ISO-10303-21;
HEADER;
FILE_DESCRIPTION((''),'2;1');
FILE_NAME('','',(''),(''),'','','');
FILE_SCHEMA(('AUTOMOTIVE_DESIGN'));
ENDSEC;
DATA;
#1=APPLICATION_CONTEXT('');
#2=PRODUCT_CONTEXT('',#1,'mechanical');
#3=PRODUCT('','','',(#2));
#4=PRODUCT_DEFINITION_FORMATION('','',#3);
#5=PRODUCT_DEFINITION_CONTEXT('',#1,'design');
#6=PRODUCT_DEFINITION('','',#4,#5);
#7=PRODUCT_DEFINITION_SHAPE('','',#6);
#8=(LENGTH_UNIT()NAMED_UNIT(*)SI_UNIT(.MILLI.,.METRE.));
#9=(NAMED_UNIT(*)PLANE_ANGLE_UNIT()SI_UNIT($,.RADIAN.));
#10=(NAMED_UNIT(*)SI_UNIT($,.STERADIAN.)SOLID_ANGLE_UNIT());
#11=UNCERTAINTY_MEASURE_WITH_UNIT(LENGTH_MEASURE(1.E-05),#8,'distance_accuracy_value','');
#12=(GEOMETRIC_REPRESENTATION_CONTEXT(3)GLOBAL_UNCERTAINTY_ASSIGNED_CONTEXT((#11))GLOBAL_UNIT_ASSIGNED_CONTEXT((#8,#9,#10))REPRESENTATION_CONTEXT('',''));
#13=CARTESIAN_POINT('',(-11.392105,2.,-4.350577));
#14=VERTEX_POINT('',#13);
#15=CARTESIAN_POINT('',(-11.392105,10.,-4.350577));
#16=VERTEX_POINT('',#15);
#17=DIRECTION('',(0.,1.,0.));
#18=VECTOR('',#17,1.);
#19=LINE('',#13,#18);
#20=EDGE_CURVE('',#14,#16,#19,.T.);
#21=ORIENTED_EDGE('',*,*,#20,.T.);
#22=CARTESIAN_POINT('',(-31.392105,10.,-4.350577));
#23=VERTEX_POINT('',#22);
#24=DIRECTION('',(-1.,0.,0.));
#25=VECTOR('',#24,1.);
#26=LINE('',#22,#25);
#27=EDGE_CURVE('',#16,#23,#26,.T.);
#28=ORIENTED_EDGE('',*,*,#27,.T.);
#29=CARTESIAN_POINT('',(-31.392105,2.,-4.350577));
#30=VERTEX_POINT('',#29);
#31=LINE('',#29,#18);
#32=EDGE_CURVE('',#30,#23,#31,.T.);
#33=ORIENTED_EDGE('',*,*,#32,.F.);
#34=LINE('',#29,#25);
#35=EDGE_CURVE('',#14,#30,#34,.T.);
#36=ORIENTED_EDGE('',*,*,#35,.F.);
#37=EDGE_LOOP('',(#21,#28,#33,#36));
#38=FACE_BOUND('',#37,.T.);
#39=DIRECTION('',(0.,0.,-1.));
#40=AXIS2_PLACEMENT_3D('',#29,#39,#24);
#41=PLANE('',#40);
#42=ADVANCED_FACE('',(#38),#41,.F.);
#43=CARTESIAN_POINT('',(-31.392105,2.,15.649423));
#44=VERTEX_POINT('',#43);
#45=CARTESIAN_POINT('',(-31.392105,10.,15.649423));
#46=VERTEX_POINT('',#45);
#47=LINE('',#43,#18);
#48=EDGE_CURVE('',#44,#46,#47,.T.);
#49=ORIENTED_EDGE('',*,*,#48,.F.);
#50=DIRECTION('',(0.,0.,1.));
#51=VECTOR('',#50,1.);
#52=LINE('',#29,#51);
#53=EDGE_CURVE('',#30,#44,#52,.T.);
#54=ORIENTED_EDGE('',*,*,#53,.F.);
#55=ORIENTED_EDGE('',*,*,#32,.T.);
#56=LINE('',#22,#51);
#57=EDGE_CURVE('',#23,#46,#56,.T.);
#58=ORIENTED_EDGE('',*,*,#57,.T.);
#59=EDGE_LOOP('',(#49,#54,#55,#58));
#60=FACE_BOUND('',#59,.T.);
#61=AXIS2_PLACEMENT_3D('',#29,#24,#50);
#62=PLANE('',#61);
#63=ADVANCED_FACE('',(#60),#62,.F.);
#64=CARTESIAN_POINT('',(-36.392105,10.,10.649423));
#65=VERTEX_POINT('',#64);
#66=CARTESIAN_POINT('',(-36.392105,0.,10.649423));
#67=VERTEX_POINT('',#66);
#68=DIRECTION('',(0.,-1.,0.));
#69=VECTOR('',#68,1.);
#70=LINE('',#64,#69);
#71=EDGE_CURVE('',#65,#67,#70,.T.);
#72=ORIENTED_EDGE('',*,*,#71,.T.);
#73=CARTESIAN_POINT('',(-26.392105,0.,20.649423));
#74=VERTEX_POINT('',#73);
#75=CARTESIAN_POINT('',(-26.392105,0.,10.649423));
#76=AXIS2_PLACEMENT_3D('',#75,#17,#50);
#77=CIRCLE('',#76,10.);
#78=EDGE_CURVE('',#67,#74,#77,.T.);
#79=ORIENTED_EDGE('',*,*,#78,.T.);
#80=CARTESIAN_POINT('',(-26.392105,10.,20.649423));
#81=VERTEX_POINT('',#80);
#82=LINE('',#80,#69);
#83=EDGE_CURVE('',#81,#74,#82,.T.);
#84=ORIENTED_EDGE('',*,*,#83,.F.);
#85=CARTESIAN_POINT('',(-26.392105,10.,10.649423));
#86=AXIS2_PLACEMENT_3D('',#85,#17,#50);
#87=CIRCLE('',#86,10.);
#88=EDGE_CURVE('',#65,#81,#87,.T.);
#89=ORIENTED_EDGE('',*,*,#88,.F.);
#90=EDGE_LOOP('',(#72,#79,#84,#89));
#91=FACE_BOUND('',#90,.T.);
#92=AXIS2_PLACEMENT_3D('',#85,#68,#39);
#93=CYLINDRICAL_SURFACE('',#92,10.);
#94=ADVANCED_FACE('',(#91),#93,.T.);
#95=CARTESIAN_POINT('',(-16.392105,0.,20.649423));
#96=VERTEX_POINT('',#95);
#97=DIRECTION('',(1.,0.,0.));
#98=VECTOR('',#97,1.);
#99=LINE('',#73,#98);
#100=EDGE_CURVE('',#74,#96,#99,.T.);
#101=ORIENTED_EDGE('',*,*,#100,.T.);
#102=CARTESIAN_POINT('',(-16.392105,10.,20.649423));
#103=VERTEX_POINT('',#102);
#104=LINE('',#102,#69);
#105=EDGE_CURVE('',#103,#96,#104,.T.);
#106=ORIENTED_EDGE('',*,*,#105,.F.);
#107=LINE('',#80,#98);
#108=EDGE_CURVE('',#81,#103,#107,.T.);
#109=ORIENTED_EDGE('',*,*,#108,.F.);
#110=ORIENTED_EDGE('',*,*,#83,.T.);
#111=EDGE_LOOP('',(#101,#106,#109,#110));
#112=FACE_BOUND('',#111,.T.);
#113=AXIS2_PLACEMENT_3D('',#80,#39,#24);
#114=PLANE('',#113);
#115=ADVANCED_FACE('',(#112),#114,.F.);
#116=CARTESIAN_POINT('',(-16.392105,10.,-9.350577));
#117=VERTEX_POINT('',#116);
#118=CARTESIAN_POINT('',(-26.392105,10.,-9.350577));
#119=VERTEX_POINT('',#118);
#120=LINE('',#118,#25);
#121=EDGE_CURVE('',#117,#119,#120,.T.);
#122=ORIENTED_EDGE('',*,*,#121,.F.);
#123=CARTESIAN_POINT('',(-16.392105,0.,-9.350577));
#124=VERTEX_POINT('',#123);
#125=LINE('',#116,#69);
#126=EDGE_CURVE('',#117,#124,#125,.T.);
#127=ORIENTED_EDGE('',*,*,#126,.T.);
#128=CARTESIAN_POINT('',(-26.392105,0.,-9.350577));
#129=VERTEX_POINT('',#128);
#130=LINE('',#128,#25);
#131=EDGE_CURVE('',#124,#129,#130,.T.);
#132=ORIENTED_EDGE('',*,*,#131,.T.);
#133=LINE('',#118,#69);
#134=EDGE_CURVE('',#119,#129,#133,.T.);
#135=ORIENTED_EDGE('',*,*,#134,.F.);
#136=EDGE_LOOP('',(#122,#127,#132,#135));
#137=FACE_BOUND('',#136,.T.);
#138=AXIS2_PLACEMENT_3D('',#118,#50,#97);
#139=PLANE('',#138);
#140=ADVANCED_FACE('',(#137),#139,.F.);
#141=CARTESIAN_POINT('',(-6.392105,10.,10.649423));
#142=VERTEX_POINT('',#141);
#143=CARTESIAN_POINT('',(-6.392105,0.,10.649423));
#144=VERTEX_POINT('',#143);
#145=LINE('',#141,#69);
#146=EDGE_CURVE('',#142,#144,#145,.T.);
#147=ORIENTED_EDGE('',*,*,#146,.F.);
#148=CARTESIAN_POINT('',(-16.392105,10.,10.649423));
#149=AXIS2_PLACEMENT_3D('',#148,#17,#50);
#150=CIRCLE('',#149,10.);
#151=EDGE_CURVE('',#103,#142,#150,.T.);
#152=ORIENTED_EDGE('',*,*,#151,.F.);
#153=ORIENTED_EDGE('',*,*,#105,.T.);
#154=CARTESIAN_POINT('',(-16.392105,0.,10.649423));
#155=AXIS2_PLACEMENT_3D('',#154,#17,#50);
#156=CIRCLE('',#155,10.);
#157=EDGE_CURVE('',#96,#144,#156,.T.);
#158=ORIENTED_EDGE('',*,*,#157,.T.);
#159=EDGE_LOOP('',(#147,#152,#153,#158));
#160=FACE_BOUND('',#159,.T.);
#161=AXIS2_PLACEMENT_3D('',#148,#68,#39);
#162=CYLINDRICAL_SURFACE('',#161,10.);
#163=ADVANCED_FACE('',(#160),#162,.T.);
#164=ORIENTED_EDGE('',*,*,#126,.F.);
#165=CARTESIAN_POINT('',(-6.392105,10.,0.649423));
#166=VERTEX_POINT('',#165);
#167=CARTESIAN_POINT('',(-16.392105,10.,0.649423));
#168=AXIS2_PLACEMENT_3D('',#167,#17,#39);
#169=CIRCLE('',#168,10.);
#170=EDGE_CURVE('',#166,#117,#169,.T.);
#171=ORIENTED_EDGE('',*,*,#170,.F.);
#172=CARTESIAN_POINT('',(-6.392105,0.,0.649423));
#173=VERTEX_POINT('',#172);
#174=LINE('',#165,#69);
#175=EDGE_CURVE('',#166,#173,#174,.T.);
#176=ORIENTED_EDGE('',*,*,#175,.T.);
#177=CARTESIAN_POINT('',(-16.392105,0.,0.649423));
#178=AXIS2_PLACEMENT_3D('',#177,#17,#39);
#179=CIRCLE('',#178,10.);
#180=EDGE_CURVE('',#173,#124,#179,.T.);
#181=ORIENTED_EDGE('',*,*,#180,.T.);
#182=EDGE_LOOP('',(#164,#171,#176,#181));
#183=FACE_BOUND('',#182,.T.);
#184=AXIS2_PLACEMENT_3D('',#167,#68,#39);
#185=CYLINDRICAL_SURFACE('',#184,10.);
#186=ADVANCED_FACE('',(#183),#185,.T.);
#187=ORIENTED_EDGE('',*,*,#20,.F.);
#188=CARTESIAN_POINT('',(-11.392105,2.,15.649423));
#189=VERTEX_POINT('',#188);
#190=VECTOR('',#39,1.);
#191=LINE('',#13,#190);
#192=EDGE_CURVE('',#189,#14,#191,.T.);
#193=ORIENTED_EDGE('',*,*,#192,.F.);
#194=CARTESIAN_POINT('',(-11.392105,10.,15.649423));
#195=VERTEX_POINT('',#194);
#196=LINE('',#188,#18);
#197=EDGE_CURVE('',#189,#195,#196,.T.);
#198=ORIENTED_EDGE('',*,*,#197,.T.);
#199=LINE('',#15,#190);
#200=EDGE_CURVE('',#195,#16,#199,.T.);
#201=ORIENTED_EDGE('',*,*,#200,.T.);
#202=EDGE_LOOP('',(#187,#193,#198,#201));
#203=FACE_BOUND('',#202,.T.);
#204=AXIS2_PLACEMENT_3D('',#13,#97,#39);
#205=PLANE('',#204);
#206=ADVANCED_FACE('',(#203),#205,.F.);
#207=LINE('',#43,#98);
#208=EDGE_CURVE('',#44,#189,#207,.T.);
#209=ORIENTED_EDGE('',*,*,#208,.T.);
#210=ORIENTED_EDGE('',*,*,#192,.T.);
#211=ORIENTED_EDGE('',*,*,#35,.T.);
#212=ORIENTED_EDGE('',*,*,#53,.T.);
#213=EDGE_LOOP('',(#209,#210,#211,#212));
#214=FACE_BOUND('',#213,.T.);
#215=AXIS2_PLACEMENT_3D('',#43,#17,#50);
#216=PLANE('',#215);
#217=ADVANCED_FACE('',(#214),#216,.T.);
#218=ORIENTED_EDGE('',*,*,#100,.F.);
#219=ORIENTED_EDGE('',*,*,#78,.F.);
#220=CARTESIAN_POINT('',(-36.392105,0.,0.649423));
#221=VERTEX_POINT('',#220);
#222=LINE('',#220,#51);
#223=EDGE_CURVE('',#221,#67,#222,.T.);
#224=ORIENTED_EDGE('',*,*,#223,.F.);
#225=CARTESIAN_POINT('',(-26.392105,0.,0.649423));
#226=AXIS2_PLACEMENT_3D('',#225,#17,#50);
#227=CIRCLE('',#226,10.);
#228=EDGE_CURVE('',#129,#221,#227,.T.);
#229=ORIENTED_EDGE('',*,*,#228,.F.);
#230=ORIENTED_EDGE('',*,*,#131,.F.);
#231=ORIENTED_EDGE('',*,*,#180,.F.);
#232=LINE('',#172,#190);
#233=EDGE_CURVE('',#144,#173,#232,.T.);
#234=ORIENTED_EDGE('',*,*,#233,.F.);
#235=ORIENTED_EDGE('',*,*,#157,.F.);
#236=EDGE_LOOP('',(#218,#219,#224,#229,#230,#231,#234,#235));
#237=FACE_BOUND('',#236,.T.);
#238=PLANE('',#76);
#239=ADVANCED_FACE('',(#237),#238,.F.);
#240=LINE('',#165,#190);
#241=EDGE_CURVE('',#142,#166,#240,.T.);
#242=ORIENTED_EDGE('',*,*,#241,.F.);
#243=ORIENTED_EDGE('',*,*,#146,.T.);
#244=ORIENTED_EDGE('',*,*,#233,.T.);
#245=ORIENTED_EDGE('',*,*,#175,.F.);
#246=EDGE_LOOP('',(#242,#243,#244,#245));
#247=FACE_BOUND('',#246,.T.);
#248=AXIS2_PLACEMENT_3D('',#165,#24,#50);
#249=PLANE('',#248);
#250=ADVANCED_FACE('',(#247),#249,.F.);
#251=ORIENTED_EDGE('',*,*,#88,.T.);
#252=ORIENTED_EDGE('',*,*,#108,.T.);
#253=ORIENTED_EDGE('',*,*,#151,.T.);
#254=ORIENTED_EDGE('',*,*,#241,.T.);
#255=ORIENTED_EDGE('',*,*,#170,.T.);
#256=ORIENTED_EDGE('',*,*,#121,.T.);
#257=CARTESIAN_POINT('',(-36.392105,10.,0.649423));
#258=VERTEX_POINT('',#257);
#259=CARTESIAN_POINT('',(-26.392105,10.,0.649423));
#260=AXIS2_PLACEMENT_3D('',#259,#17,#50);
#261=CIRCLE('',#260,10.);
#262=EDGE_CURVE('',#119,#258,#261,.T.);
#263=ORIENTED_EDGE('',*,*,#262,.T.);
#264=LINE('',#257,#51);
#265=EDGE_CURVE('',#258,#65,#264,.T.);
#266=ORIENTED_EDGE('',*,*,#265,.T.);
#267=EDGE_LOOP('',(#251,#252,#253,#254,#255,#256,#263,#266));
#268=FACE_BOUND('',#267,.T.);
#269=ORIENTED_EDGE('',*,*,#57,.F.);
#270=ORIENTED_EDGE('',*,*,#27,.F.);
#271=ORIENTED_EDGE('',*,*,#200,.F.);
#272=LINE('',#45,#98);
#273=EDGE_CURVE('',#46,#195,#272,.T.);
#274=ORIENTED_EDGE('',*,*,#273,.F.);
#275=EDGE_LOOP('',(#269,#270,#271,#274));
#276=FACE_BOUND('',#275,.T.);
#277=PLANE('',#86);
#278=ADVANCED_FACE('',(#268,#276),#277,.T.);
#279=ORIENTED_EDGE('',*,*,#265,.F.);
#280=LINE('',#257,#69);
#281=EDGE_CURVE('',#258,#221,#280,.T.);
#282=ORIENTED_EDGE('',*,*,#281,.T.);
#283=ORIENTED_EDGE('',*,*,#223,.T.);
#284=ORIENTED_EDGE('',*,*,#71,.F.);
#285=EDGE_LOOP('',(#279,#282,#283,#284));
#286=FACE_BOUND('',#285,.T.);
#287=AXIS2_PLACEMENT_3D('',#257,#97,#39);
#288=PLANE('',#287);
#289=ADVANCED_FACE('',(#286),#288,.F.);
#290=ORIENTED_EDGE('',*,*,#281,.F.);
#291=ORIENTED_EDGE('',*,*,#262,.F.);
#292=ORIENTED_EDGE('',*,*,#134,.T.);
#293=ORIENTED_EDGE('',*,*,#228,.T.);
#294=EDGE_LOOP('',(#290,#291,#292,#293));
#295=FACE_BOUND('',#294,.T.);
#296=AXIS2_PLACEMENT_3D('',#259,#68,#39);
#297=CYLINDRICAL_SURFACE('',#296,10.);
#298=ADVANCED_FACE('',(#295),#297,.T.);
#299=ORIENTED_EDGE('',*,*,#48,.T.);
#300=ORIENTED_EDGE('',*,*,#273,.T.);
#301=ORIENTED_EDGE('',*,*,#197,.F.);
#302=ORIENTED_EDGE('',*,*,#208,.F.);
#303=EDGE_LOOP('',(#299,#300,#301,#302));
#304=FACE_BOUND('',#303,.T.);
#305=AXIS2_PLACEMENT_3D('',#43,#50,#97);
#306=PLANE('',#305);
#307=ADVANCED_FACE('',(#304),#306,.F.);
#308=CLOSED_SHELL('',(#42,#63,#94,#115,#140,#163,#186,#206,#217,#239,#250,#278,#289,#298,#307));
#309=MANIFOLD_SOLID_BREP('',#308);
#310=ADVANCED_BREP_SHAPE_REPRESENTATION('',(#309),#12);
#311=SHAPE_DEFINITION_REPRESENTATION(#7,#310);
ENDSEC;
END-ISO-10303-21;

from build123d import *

# Parameters (mm, degrees)
BOSS_EXTRUDE1_DEPTH = 10
SKETCH2_W           = 20
SKETCH2_H           = 20
CUT_EXTRUDE1_DEPTH  = 8


with BuildPart() as part:
    # Sketch1 → Boss-Extrude1 (new body)
    with BuildSketch(Plane(origin=(0, 0, 0), x_dir=(1, 0, 0), z_dir=(0, 1, 0))):
        with BuildLine():
            Line((-26.392104515, 9.350576585), (-16.392104515, 9.350576585))
            ThreePointArc((-16.392104515, 9.350576585), (-9.321036703, 6.421644397), (-6.392104515, -0.649423415))
            Line((-6.392104515, -0.649423415), (-6.392104515, -10.649423415))
            ThreePointArc((-6.392104515, -10.649423415), (-9.321036703, -17.720491227), (-16.392104515, -20.649423415))
            Line((-16.392104515, -20.649423415), (-26.392104515, -20.649423415))
            ThreePointArc((-26.392104515, -20.649423415), (-33.463172327, -17.720491227), (-36.392104515, -10.649423415))
            Line((-36.392104515, -10.649423415), (-36.392104515, -0.649423415))
            ThreePointArc((-36.392104515, -0.649423415), (-33.463172327, 6.421644397), (-26.392104515, 9.350576585))
        make_face()
    extrude(amount=BOSS_EXTRUDE1_DEPTH)

    # Sketch2 → Cut-Extrude1 (cut)
    with BuildSketch(Plane(origin=(0, 10, 0), x_dir=(-1, 0, 0), z_dir=(0, 1, 0))):
        with Locations((21.392104515, 5.649423415)):
            Rectangle(SKETCH2_W, SKETCH2_H)
    extrude(amount=-CUT_EXTRUDE1_DEPTH, mode=Mode.SUBTRACT)


solid = part.part
